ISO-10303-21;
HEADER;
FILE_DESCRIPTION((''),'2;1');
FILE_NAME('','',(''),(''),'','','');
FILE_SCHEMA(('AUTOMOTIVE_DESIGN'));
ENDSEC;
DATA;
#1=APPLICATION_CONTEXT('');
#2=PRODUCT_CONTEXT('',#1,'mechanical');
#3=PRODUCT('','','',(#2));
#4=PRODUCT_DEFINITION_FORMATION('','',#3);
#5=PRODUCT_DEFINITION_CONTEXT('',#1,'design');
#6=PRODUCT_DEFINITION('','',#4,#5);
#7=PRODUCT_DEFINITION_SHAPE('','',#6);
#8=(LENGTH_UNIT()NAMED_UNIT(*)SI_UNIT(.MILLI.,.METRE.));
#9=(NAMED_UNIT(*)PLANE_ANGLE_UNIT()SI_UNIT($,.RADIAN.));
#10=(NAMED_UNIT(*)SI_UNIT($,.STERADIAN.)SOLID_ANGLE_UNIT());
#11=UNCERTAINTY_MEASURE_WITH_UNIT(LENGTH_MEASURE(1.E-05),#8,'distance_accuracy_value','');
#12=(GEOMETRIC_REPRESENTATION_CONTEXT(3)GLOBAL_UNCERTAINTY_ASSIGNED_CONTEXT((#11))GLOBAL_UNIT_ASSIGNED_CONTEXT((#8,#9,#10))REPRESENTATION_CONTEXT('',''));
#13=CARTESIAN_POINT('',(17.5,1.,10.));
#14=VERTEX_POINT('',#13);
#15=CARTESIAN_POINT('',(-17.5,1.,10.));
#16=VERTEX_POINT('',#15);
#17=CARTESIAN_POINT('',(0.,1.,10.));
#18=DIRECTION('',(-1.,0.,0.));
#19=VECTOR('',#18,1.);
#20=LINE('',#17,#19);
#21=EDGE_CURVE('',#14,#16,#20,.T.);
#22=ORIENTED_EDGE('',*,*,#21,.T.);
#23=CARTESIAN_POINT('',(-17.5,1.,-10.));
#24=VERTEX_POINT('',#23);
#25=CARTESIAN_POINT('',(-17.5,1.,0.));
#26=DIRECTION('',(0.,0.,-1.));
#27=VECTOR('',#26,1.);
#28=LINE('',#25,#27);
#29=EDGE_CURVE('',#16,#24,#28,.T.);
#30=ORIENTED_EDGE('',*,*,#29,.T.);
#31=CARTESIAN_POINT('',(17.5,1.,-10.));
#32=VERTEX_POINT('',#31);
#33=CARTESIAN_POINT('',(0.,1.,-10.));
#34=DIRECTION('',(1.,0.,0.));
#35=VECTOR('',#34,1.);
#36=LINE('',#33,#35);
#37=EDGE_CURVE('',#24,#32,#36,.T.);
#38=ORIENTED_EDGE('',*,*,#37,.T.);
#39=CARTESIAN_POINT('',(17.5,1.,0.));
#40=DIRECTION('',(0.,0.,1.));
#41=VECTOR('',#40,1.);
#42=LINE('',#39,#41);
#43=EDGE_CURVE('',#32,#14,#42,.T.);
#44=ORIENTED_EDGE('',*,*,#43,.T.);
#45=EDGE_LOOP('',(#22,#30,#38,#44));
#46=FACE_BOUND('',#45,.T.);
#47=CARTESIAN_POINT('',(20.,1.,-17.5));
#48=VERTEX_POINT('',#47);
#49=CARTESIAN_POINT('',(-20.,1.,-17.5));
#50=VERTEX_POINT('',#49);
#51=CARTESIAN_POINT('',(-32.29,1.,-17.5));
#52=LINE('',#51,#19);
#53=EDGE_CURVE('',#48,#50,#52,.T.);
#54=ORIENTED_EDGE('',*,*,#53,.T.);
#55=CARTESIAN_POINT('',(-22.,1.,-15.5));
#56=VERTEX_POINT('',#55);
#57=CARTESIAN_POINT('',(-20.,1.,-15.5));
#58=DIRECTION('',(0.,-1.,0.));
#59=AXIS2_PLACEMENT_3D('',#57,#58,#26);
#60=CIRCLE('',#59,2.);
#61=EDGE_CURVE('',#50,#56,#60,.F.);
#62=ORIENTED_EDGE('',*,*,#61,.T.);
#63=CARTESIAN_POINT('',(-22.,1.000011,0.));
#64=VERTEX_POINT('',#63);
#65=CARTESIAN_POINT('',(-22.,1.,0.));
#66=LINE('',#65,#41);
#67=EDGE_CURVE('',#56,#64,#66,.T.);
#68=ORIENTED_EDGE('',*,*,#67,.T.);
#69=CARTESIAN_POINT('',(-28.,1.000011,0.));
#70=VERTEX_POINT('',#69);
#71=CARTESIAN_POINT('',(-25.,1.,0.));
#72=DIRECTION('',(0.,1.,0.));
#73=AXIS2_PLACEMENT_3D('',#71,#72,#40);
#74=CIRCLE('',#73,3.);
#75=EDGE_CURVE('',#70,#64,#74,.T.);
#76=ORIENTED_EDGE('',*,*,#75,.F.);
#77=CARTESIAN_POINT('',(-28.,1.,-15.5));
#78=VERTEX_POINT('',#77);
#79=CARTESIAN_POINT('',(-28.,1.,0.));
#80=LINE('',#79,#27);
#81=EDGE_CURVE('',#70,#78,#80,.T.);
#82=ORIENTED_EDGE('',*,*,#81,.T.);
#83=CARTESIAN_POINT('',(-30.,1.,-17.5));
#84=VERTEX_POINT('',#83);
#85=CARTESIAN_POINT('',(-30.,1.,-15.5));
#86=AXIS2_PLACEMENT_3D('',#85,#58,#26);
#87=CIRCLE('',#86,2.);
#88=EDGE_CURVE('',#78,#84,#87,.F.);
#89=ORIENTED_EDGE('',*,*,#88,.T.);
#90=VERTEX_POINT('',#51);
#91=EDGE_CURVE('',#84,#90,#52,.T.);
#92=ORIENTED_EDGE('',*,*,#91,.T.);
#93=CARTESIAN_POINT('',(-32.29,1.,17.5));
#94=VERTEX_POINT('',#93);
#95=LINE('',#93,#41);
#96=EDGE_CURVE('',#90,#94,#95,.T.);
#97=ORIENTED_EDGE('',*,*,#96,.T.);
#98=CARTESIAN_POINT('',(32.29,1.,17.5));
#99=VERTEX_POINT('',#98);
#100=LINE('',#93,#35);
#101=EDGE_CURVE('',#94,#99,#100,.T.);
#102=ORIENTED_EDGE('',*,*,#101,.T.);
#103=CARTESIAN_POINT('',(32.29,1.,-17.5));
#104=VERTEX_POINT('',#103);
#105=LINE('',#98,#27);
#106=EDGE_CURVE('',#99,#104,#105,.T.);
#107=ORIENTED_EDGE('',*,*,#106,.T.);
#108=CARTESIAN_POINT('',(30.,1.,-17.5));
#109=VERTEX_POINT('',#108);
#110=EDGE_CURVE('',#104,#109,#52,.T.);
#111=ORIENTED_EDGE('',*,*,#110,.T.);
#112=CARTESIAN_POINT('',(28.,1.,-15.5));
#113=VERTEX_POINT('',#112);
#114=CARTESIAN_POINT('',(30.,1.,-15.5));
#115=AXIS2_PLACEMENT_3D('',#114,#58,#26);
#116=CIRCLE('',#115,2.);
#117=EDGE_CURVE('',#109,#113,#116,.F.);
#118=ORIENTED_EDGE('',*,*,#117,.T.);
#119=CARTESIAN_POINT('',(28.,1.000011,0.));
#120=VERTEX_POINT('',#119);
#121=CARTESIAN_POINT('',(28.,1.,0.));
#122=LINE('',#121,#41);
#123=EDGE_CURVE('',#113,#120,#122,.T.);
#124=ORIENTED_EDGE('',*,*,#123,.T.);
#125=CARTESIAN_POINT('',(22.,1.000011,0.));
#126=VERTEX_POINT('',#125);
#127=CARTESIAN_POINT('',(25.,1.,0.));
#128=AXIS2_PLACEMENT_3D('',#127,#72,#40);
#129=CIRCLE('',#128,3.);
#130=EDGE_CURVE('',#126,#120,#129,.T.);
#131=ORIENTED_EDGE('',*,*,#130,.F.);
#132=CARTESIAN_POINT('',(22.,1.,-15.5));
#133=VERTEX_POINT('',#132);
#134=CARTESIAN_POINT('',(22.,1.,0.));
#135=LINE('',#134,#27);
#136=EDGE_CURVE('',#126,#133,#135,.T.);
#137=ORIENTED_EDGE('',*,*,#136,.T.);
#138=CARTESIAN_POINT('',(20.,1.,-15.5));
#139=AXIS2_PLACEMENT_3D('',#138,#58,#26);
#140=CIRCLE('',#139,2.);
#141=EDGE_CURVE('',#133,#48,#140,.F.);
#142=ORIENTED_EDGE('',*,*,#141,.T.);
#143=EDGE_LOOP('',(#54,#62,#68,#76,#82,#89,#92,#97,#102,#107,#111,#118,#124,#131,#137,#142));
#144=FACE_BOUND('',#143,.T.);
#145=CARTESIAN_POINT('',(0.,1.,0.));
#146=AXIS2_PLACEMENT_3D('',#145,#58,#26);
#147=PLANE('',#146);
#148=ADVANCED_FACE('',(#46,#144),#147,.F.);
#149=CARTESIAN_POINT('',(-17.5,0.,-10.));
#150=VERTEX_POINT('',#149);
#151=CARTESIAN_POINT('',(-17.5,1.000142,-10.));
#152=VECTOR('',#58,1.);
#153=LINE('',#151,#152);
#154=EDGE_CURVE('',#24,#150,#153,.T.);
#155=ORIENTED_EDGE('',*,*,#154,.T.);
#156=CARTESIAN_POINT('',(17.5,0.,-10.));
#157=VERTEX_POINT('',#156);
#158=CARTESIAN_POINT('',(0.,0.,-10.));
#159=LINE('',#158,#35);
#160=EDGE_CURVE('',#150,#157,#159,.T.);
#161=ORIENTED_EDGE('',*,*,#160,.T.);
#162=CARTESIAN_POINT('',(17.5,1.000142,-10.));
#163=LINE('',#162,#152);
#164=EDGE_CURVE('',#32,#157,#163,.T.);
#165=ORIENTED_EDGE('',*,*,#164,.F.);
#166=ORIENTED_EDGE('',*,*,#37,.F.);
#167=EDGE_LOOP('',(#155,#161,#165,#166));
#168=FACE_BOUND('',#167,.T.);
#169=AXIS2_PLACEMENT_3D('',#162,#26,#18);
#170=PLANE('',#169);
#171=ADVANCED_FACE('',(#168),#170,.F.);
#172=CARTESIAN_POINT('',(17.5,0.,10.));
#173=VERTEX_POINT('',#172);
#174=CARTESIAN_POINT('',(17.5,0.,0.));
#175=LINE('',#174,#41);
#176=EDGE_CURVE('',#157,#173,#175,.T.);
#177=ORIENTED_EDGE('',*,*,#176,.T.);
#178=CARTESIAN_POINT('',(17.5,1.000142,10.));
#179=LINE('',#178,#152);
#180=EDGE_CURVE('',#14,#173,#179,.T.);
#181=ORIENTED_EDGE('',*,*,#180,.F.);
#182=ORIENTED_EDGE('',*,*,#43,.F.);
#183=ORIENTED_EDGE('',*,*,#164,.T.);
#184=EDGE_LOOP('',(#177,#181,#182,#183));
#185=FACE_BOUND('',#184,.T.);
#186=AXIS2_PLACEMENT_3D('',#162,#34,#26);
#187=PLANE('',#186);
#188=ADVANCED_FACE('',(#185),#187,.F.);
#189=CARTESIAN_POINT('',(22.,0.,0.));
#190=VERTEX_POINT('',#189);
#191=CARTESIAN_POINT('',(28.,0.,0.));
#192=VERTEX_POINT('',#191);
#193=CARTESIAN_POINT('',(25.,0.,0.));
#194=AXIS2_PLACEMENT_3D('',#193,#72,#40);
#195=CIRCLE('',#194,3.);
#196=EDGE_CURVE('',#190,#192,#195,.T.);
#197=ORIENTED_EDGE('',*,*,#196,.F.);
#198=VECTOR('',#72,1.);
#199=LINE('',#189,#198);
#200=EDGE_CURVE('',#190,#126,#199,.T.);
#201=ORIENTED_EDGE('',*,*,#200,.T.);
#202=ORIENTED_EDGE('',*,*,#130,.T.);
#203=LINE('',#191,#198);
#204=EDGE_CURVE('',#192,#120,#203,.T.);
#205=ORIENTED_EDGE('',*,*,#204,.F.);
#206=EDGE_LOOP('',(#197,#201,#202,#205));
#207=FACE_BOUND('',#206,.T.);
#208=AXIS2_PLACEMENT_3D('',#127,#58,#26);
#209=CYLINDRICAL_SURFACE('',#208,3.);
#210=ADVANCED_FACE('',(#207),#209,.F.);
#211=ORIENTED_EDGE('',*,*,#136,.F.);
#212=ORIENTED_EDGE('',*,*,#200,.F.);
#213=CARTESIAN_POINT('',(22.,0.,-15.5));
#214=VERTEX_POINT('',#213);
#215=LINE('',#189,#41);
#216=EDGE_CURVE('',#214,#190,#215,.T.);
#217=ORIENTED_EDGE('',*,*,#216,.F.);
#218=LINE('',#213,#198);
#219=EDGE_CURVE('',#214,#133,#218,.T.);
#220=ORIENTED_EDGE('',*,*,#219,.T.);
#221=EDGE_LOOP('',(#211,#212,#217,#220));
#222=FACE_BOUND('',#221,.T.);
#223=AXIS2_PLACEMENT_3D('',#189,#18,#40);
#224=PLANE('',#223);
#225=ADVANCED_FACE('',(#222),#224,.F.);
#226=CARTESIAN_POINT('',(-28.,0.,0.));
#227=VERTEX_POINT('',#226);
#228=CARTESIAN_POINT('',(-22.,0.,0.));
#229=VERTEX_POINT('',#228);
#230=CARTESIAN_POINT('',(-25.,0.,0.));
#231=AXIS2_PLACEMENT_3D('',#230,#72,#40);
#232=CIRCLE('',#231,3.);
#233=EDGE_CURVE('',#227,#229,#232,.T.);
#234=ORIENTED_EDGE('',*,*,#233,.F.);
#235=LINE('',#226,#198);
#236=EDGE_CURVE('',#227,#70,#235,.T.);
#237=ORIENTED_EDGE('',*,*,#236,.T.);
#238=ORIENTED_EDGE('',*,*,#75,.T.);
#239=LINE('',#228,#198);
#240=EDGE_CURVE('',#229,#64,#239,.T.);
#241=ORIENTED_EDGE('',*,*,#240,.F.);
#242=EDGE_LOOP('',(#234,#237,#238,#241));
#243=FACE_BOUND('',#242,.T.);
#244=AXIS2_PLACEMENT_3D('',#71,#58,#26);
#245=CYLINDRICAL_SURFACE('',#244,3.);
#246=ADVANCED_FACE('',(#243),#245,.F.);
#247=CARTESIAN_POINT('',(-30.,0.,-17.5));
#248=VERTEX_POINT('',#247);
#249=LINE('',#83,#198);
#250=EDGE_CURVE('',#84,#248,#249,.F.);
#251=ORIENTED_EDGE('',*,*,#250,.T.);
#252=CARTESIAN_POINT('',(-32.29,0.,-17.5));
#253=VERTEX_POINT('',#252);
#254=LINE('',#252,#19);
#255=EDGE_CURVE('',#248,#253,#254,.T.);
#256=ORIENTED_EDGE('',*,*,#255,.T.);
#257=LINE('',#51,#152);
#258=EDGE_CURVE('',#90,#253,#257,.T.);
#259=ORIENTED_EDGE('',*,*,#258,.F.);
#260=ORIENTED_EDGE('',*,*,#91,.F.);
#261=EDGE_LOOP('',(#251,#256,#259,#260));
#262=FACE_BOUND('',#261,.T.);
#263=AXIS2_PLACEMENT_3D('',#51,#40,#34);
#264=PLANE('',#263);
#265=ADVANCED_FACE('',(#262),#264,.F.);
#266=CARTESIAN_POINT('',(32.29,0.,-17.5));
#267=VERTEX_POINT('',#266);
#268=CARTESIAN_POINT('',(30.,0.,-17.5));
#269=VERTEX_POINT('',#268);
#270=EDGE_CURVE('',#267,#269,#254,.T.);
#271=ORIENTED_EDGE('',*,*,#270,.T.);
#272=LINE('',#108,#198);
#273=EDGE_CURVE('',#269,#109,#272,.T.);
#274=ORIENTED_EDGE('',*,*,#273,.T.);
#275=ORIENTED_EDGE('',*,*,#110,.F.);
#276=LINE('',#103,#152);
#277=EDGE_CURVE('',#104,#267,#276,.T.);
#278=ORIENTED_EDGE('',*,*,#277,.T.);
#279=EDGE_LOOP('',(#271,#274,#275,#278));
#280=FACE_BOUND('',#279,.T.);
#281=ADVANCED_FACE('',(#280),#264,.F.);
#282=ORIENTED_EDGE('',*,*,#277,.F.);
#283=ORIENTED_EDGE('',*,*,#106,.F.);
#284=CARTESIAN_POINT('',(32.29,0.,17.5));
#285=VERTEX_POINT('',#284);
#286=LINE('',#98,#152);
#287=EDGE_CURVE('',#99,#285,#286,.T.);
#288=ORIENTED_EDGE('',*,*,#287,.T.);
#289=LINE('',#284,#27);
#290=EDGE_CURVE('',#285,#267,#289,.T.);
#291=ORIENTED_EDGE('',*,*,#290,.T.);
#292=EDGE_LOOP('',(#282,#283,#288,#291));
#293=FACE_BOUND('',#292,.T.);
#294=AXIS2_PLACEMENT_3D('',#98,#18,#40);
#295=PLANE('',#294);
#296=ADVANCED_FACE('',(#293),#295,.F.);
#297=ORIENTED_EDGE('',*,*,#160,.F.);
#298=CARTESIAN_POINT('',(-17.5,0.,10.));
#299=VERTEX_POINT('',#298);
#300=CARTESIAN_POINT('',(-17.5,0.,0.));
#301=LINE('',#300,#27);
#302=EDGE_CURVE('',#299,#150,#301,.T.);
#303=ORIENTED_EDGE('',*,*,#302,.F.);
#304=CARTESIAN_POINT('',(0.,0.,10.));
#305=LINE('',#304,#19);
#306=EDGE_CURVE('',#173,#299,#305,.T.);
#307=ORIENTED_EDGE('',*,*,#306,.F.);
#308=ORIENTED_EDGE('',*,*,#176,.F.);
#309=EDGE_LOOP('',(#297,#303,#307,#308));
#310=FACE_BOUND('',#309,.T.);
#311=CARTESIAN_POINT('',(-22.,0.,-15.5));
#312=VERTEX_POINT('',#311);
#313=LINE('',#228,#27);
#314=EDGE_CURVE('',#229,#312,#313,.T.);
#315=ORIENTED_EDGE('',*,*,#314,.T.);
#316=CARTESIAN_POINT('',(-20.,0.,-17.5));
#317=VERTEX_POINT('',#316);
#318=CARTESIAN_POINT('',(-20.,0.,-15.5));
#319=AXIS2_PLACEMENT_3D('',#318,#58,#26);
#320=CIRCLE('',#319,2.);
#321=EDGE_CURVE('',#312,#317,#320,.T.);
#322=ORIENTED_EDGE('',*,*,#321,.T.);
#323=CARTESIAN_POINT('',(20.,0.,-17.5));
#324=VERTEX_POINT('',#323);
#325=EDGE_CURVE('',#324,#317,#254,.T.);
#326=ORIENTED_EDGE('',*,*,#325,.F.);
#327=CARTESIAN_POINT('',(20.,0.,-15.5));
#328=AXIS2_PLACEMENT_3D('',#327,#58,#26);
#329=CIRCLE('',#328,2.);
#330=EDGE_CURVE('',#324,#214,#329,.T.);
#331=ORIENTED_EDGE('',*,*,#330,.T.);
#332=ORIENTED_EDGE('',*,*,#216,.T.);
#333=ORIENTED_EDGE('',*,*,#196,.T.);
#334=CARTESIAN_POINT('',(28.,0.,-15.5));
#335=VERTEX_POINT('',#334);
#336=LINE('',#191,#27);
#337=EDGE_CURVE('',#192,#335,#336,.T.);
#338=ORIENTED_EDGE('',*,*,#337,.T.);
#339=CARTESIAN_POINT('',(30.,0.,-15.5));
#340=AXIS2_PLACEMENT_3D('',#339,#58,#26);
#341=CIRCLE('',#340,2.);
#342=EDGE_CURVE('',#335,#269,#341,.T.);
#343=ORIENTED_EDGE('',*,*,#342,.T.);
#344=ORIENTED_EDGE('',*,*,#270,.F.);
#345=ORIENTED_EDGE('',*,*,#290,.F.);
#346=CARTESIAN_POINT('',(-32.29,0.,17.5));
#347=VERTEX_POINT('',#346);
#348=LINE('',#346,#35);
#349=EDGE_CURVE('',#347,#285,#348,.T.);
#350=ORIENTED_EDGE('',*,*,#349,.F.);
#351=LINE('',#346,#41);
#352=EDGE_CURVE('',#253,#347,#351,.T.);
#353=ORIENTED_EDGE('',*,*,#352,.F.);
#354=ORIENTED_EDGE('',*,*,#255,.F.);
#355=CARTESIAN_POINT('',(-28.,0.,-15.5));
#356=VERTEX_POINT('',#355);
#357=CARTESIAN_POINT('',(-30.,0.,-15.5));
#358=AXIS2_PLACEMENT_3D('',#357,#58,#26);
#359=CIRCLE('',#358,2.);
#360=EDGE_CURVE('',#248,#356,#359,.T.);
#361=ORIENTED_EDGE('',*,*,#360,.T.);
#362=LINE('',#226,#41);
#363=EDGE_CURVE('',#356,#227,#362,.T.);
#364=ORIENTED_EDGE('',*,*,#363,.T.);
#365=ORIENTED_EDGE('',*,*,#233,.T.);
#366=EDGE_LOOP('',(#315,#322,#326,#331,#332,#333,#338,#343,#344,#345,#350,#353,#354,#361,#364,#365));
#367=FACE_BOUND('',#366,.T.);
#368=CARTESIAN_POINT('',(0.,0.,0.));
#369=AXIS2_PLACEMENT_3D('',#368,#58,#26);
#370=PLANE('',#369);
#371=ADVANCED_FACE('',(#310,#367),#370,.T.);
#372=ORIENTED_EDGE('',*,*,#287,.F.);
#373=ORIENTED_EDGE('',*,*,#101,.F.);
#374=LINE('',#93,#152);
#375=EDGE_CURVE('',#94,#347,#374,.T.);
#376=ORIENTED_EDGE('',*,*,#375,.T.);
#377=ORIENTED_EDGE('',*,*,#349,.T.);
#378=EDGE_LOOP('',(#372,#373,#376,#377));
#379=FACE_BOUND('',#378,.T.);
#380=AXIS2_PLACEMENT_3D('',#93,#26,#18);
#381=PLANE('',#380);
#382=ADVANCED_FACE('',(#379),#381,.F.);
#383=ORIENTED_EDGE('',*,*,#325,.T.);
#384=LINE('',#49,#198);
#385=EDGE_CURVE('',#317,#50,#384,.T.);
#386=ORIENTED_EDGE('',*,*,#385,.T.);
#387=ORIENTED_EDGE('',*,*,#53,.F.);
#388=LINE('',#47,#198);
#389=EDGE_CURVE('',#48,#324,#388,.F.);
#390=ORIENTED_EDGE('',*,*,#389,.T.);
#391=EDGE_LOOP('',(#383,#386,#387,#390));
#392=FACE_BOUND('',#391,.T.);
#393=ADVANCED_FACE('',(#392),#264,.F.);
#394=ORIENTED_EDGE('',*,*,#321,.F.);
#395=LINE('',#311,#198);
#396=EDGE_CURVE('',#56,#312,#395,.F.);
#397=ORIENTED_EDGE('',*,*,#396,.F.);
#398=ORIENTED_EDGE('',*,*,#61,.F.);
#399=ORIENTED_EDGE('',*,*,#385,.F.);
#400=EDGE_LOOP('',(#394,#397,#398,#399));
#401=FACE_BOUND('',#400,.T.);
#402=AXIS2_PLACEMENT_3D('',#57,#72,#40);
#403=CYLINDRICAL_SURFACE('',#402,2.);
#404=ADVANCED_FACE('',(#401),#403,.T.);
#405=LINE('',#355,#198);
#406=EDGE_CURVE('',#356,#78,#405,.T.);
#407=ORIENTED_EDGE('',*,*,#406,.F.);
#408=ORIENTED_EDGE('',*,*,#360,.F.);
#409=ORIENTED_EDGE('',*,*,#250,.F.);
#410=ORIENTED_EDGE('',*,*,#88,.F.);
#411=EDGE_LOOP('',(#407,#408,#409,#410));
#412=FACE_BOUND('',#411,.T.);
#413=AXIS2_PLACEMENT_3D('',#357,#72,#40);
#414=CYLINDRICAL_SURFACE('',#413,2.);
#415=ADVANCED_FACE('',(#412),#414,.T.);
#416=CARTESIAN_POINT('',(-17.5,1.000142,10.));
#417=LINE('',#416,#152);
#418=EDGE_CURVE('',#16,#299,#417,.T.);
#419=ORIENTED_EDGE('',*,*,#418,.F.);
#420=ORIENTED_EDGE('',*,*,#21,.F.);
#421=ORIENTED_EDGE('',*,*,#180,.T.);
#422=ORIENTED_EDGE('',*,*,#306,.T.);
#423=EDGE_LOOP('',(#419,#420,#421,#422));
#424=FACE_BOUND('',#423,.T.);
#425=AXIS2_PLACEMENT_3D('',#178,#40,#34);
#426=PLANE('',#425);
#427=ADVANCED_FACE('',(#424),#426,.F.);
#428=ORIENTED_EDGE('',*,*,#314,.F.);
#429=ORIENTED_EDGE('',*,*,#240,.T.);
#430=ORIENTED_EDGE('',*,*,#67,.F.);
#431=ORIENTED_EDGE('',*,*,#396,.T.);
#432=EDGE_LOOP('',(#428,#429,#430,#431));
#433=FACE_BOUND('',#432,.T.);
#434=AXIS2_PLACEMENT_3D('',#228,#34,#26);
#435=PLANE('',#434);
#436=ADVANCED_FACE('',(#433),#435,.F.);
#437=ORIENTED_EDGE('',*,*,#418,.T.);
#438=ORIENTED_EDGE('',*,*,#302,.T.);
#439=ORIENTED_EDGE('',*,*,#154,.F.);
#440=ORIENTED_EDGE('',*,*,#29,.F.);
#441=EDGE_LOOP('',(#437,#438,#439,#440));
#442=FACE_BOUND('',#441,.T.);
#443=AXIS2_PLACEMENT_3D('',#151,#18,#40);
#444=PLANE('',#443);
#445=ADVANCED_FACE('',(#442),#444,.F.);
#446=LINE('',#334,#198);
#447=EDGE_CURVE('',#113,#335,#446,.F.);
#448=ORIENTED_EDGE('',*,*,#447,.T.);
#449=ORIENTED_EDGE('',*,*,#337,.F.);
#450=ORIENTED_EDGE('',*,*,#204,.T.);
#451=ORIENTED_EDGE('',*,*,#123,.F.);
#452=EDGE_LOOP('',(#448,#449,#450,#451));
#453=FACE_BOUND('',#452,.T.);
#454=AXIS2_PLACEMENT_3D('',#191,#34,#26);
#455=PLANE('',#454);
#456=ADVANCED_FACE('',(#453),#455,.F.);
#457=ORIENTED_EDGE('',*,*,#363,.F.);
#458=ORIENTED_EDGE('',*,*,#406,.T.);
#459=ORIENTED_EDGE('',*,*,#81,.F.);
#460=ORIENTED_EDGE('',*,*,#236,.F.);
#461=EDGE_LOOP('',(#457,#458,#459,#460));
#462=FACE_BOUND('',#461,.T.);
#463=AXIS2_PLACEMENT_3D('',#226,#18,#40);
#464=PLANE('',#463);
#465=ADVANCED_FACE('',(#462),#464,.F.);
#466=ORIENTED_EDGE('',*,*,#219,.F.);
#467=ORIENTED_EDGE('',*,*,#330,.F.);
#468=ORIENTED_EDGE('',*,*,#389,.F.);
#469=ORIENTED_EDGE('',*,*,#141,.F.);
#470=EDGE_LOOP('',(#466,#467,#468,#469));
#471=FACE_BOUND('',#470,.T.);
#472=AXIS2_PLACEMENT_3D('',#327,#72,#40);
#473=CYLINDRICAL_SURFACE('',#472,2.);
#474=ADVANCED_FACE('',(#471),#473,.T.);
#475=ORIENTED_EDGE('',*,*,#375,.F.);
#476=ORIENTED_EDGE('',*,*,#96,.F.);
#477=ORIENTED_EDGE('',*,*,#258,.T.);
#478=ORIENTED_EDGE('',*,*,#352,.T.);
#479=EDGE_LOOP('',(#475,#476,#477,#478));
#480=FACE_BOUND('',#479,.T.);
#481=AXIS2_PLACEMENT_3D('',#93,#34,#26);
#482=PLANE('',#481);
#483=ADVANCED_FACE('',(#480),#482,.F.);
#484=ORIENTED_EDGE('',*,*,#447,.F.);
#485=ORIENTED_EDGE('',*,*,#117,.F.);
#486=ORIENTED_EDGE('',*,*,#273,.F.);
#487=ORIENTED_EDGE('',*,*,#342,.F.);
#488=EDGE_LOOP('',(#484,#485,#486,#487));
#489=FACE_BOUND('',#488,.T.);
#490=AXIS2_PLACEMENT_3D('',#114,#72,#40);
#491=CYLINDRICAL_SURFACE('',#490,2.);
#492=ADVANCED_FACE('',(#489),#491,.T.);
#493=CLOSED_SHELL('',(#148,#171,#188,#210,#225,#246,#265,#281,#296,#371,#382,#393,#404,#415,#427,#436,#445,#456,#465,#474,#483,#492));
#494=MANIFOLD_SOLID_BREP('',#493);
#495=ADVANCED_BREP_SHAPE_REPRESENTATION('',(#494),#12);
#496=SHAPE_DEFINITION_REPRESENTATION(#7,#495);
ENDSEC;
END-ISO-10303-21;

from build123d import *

# Parameters (mm, degrees)
SKETCH1_W               = 64.58
SKETCH1_H               = 35
SKETCH1_R               = 3
BOSS_EXTRUDE1_DEPTH     = 1
CUT_EXTRUDE1_DEPTH      = 37.740904997
CUT_EXTRUDE1_DEPTH_BACK = 37.740904997
SKETCH2_W               = 6
SKETCH2_H               = 17.5
FILLET1_R               = 2
CUT_EXTRUDE2_DEPTH      = 37.740904997
CUT_EXTRUDE2_DEPTH_BACK = 37.740904997
SKETCH3_W               = 35
SKETCH3_H               = 20


with BuildPart() as part:
    # Sketch1 → Boss-Extrude1 (new body)
    with BuildSketch(Plane(origin=(0, 0, 0), x_dir=(1, 0, 0), z_dir=(0, 1, 0))):
        Rectangle(SKETCH1_W, SKETCH1_H)
        with Locations(Location((-25, 0, 0), (0, 0, 270))):
            Circle(SKETCH1_R, mode=Mode.SUBTRACT)
        with Locations(Location((25, 0, 0), (0, 0, 270))):
            Circle(SKETCH1_R, mode=Mode.SUBTRACT)
    extrude(amount=BOSS_EXTRUDE1_DEPTH)

    # Sketch2 → Cut-Extrude1 (cut, two sides: drawn at the far end of the back side and taken through both)
    with BuildSketch(Plane(origin=(0, 1, 0), x_dir=(1, 0, 0), z_dir=(0, 1, 0)).offset(-CUT_EXTRUDE1_DEPTH_BACK)):
        with Locations((-25, 8.75)):
            Rectangle(SKETCH2_W, SKETCH2_H)
        with Locations((25, 8.75)):
            Rectangle(SKETCH2_W, SKETCH2_H)
    extrude(amount=CUT_EXTRUDE1_DEPTH + CUT_EXTRUDE1_DEPTH_BACK, mode=Mode.SUBTRACT)

    # Fillet1
    fillet1_edges = [part.edges().sort_by_distance(p)[0] for p in [
        (22, 0.5, -17.5),
        (-28, 0.5, -17.5),
        (-22, 0.5, -17.5),
        (28, 0.5, -17.5),
    ]]
    fillet(fillet1_edges, radius=FILLET1_R)

    # Sketch3 → Cut-Extrude2 (cut, two sides: drawn at the far end of the back side and taken through both)
    with BuildSketch(Plane.XZ.offset(-CUT_EXTRUDE2_DEPTH_BACK)):
        Rectangle(SKETCH3_W, SKETCH3_H)
    extrude(amount=CUT_EXTRUDE2_DEPTH + CUT_EXTRUDE2_DEPTH_BACK, mode=Mode.SUBTRACT)


solid = part.part
